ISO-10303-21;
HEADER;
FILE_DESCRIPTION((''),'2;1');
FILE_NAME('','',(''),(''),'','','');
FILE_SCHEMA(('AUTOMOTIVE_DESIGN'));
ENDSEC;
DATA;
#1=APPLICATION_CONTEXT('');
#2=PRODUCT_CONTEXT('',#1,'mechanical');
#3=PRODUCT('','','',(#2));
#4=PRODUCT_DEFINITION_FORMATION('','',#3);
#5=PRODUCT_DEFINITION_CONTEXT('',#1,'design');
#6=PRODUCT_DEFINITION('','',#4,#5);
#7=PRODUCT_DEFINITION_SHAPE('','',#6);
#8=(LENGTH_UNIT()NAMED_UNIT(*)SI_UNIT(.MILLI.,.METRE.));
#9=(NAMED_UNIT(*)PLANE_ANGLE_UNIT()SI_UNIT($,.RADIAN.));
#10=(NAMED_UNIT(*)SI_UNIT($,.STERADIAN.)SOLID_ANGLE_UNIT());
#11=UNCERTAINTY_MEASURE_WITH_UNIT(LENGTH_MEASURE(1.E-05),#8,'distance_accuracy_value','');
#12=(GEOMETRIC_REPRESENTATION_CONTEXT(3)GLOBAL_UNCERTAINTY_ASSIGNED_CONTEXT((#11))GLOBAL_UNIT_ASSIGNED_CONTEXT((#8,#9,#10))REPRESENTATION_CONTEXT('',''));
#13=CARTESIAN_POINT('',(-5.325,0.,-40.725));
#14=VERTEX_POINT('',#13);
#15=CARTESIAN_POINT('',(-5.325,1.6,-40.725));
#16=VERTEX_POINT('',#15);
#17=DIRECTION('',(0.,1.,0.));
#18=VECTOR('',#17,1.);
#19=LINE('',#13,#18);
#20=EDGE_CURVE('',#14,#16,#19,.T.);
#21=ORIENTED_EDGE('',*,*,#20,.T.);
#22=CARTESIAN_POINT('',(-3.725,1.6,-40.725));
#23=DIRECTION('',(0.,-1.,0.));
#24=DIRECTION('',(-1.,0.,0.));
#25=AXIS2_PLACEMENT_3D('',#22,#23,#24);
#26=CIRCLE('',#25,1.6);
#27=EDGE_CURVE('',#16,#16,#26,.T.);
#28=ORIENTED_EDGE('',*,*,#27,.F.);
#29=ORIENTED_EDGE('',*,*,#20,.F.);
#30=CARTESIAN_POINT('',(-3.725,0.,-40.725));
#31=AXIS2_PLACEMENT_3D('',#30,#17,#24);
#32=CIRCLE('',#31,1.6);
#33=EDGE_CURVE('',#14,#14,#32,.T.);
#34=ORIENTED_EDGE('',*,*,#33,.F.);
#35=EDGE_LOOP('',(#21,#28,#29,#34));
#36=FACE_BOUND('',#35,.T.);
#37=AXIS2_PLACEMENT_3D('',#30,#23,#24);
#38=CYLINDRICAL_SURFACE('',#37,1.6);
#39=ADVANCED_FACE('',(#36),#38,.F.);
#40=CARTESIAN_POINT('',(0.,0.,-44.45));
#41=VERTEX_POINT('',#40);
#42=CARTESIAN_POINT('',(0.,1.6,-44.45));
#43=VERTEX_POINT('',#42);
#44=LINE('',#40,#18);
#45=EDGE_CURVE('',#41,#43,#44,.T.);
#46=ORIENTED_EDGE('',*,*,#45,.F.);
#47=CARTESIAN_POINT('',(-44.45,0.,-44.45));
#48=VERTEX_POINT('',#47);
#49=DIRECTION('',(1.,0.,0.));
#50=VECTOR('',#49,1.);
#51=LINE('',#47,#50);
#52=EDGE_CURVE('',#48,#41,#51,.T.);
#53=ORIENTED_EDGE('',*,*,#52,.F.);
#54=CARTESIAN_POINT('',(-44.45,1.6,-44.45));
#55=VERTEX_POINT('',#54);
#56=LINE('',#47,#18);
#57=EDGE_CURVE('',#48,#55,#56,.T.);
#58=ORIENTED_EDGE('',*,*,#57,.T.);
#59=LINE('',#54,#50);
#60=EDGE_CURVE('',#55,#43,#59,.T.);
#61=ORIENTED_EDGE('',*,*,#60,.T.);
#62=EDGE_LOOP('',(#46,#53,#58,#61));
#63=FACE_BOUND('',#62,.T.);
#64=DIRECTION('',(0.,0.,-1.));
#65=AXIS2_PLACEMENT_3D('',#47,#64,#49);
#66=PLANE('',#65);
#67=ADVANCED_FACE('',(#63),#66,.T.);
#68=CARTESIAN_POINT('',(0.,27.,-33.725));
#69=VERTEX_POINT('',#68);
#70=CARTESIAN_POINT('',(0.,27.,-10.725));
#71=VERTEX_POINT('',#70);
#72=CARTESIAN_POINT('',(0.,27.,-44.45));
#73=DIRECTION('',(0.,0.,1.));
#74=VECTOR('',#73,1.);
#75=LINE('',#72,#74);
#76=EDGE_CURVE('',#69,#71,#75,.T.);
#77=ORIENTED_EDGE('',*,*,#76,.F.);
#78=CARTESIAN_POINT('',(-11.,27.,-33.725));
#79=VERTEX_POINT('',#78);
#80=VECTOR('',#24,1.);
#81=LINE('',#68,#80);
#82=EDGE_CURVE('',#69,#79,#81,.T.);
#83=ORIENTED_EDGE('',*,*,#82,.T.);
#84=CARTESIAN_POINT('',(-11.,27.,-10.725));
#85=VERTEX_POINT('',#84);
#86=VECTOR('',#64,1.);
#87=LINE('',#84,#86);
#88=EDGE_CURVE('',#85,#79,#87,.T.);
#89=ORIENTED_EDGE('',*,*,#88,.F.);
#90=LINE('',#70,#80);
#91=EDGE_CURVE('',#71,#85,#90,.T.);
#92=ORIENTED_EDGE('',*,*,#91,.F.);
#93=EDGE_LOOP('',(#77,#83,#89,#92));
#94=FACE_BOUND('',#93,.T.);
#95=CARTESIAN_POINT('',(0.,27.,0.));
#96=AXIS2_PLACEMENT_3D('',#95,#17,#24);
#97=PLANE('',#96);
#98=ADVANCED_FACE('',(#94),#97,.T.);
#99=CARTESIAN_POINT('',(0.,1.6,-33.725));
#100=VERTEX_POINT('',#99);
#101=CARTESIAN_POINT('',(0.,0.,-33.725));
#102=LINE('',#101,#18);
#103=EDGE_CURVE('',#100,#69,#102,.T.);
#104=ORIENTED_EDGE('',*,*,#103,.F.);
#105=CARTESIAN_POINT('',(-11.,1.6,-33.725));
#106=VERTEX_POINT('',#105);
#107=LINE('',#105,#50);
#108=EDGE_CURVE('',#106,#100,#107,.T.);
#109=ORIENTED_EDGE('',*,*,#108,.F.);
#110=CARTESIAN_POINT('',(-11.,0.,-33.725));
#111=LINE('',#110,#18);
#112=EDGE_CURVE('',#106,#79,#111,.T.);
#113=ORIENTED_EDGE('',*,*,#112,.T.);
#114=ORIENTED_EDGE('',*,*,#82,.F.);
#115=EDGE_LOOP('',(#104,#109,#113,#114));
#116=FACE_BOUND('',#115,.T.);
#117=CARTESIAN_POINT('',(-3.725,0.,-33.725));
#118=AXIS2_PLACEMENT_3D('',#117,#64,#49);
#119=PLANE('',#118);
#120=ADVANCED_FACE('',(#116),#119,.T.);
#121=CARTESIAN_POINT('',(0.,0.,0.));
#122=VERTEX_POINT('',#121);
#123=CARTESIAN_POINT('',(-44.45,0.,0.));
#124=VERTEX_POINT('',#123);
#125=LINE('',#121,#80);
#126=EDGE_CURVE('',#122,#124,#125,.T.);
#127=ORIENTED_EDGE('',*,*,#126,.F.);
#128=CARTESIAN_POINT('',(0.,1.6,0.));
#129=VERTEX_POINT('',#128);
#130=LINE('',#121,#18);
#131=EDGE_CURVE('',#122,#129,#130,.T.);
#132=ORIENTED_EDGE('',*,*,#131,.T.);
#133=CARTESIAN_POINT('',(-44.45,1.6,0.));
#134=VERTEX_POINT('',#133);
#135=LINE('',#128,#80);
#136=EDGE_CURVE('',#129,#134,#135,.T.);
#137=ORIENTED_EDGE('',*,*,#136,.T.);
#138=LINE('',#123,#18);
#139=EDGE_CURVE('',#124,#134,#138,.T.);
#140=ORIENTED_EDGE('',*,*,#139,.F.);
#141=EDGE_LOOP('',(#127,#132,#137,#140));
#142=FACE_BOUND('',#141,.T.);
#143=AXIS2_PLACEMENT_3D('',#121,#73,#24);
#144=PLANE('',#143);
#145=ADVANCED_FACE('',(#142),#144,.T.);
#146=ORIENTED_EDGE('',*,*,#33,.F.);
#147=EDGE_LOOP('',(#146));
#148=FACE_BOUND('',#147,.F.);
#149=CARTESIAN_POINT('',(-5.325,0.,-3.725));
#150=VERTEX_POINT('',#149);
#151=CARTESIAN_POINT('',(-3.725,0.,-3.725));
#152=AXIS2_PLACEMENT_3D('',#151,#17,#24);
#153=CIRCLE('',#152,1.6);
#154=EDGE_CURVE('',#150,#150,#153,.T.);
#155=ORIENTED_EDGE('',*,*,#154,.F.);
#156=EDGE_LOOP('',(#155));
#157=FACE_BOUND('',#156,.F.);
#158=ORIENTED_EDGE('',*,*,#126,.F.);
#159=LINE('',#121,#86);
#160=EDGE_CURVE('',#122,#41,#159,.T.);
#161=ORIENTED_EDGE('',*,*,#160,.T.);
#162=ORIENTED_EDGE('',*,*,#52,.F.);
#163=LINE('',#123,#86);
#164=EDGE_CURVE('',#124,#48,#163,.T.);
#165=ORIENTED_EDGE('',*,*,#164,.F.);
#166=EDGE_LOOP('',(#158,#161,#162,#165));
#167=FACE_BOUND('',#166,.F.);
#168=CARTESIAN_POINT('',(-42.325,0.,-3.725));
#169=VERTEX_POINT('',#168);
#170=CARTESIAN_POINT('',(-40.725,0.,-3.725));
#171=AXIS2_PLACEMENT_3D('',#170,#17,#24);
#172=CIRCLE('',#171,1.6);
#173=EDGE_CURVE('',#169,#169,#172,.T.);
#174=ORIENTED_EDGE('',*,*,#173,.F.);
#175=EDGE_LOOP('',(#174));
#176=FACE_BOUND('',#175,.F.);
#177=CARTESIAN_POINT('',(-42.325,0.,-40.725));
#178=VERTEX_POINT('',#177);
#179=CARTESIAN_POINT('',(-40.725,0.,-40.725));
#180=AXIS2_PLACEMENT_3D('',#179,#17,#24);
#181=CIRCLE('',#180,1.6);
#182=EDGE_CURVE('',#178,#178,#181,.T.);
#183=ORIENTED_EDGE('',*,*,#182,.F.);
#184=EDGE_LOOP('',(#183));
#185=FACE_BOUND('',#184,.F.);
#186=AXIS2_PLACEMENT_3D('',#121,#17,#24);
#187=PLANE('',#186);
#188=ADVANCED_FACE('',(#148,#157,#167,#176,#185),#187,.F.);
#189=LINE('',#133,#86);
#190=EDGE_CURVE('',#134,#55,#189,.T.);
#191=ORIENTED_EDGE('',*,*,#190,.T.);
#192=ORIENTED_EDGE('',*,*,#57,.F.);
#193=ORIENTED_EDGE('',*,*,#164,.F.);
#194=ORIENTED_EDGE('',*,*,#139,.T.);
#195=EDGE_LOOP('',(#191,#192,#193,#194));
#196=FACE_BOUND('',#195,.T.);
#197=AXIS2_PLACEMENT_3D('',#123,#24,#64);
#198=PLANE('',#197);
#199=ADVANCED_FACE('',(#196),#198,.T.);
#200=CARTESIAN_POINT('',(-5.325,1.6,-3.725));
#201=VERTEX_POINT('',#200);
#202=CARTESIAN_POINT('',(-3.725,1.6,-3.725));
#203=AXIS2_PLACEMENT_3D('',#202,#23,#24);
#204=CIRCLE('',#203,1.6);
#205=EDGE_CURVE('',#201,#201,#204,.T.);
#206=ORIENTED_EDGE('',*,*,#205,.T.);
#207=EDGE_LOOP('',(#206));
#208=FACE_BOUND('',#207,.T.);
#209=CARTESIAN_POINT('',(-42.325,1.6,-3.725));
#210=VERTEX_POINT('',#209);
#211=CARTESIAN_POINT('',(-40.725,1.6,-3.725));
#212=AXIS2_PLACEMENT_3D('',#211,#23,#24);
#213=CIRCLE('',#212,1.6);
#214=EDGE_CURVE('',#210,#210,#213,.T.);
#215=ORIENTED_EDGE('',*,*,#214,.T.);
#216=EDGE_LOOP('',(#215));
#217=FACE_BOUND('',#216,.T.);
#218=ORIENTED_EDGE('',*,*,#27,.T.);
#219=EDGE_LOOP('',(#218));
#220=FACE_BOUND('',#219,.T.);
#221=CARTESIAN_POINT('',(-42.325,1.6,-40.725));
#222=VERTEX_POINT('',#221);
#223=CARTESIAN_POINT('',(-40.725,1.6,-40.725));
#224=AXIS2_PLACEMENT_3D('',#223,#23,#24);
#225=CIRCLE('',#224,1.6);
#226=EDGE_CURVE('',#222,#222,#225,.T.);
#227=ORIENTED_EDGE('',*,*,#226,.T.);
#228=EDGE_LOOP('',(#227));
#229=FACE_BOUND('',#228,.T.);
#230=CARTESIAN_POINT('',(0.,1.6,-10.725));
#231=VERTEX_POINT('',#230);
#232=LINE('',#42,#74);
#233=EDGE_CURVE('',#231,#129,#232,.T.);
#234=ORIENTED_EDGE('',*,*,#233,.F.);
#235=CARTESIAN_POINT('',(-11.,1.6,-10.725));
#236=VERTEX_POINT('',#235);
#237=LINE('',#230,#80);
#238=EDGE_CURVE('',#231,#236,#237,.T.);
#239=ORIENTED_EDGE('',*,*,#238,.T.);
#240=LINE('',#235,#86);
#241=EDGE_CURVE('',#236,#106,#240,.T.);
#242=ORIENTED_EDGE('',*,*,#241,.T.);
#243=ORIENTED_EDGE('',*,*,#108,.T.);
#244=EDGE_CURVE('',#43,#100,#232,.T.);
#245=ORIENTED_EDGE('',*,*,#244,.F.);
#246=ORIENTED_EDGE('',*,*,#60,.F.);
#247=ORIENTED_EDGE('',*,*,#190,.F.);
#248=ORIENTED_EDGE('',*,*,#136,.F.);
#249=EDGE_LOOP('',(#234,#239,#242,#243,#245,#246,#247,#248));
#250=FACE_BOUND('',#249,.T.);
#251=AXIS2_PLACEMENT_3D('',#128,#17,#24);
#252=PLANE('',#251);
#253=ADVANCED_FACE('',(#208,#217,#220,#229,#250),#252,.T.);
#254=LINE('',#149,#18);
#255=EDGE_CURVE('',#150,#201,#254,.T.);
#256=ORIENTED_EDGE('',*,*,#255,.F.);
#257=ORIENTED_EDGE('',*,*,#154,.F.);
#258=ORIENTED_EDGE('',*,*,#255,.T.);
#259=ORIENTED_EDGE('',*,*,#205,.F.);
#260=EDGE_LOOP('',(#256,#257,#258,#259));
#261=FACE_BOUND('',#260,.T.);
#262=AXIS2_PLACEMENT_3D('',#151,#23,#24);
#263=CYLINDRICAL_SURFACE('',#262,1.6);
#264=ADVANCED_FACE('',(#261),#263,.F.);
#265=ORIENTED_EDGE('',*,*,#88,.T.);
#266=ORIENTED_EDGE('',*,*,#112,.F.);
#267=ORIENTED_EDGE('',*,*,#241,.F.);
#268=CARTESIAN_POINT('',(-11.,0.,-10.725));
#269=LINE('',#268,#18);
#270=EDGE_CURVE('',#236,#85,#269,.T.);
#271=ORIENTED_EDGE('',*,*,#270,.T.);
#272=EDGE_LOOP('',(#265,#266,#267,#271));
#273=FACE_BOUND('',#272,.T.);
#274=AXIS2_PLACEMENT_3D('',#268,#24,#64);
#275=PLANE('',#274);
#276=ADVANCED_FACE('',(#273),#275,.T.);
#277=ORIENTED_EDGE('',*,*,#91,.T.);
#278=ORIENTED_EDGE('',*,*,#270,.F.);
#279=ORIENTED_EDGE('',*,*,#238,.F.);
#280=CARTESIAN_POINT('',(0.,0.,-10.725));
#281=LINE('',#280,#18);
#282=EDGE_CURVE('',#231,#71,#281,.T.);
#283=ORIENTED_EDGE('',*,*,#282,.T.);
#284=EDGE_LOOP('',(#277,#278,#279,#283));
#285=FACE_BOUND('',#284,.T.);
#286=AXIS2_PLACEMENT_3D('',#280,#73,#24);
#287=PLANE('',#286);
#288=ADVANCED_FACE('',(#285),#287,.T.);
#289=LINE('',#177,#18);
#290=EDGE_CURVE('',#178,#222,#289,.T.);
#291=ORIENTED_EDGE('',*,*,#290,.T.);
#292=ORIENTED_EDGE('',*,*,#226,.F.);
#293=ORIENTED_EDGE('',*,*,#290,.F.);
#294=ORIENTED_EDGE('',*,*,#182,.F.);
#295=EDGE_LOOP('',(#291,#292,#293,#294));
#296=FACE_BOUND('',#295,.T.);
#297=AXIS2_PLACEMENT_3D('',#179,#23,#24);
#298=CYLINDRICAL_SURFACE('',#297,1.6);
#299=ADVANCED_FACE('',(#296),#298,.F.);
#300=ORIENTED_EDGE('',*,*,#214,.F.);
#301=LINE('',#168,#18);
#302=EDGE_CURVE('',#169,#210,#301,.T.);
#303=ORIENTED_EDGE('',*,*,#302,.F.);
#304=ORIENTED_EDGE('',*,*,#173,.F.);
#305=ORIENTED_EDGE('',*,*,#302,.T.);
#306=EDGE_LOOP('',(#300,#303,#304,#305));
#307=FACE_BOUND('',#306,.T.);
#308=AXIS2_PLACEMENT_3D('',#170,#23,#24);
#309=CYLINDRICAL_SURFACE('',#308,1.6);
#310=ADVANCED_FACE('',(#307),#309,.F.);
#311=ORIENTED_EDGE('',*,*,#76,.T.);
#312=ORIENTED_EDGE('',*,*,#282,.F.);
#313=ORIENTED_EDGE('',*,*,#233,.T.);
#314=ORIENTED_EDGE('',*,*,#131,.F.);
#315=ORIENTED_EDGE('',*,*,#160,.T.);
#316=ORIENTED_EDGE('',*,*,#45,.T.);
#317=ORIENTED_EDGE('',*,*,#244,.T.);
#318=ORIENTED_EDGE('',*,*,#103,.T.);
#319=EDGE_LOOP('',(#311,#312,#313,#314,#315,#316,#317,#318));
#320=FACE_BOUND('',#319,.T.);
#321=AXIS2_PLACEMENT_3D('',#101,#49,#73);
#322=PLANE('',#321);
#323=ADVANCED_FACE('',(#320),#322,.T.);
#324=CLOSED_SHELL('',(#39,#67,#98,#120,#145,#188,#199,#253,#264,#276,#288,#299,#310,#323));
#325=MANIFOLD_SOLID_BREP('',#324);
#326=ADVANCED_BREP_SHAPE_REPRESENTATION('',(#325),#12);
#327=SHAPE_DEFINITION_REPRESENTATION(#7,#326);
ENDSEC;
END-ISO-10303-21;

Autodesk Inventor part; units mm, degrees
ref_plane "YZ Plane" through (0, 0, 0) normal (1, 0, 0) x (0, 1, 0)
ref_plane "XZ Plane" through (0, 0, 0) normal (0, 1, 0) x (-1, 0, 0)
ref_plane "XY Plane" through (0, 0, 0) normal (0, 0, 1) x (1, 0, 0)
sketch "草圖1" plane through (0, 0, 0) normal (0, 1, 0) x (-1, 0, 0)
  line L0 (0, 0) -> (44.45, 0)
  line L1 (44.45, 0) -> (44.45, -44.45)
  line L2 (44.45, -44.45) -> (0, -44.45)
  line L3 (0, -44.45) -> (0, 0)
  line L4 (3.725, -3.725) -> (40.725, -3.725)
  line L5 (40.725, -3.725) -> (40.725, -40.725)
  line L6 (40.725, -40.725) -> (3.725, -40.725)
  line L7 (3.725, -40.725) -> (3.725, -3.725)
  circle A0 centre (40.725, -3.725) radius 1.6
  circle A1 centre (40.725, -40.725) radius 1.6
  circle A2 centre (3.725, -3.725) radius 1.6
  circle A3 centre (3.725, -40.725) radius 1.6
  line L8 (11, -33.725) -> (0, -33.725)
  line L9 (0, -33.725) -> (0, -10.725)
  line L10 (0, -10.725) -> (11, -10.725)
  line L11 (11, -10.725) -> (11, -33.725)
  point P0 (0, -33.725)
  dimension "d0" = 44.45
  dimension "d1" = 44.45
  dimension "d2" = 37
  dimension "d3" = 37
  dimension "d4" = 3.725
  dimension "d5" = 3.725
  dimension "d6" = 3.2
  dimension "d7" = 3.2
  dimension "d8" = 3.2
  dimension "d9" = 3.2
  dimension "d14" = 23
  dimension "d15" = 11
  dimension "d16" = 10.725
extrude "擠出1" add sketch "草圖1" along normal blind 27 contours L10 L7 L8 L3 | L10 L11 L8 L7
extrude "擠出2" cut sketch "草圖1" along normal blind 27 contours A2 L4 L7 | L7 L4 A2 | A3 L6 L7 | L7 L6 A3 | A0 L5 L4 | L4 L5 A0 | A1 L5 L6 | L6 L5 A1
extrude "擠出3" add sketch "草圖1" along normal blind 1.6 contours L0 L1 L2 L3 L8 L7 A3 L6 A1 L5 A0 L4 A2 L10 | L7 A2 L4 A0 L5 A1 L6 A3 L8 L11 L10
properties part number "l298n"
